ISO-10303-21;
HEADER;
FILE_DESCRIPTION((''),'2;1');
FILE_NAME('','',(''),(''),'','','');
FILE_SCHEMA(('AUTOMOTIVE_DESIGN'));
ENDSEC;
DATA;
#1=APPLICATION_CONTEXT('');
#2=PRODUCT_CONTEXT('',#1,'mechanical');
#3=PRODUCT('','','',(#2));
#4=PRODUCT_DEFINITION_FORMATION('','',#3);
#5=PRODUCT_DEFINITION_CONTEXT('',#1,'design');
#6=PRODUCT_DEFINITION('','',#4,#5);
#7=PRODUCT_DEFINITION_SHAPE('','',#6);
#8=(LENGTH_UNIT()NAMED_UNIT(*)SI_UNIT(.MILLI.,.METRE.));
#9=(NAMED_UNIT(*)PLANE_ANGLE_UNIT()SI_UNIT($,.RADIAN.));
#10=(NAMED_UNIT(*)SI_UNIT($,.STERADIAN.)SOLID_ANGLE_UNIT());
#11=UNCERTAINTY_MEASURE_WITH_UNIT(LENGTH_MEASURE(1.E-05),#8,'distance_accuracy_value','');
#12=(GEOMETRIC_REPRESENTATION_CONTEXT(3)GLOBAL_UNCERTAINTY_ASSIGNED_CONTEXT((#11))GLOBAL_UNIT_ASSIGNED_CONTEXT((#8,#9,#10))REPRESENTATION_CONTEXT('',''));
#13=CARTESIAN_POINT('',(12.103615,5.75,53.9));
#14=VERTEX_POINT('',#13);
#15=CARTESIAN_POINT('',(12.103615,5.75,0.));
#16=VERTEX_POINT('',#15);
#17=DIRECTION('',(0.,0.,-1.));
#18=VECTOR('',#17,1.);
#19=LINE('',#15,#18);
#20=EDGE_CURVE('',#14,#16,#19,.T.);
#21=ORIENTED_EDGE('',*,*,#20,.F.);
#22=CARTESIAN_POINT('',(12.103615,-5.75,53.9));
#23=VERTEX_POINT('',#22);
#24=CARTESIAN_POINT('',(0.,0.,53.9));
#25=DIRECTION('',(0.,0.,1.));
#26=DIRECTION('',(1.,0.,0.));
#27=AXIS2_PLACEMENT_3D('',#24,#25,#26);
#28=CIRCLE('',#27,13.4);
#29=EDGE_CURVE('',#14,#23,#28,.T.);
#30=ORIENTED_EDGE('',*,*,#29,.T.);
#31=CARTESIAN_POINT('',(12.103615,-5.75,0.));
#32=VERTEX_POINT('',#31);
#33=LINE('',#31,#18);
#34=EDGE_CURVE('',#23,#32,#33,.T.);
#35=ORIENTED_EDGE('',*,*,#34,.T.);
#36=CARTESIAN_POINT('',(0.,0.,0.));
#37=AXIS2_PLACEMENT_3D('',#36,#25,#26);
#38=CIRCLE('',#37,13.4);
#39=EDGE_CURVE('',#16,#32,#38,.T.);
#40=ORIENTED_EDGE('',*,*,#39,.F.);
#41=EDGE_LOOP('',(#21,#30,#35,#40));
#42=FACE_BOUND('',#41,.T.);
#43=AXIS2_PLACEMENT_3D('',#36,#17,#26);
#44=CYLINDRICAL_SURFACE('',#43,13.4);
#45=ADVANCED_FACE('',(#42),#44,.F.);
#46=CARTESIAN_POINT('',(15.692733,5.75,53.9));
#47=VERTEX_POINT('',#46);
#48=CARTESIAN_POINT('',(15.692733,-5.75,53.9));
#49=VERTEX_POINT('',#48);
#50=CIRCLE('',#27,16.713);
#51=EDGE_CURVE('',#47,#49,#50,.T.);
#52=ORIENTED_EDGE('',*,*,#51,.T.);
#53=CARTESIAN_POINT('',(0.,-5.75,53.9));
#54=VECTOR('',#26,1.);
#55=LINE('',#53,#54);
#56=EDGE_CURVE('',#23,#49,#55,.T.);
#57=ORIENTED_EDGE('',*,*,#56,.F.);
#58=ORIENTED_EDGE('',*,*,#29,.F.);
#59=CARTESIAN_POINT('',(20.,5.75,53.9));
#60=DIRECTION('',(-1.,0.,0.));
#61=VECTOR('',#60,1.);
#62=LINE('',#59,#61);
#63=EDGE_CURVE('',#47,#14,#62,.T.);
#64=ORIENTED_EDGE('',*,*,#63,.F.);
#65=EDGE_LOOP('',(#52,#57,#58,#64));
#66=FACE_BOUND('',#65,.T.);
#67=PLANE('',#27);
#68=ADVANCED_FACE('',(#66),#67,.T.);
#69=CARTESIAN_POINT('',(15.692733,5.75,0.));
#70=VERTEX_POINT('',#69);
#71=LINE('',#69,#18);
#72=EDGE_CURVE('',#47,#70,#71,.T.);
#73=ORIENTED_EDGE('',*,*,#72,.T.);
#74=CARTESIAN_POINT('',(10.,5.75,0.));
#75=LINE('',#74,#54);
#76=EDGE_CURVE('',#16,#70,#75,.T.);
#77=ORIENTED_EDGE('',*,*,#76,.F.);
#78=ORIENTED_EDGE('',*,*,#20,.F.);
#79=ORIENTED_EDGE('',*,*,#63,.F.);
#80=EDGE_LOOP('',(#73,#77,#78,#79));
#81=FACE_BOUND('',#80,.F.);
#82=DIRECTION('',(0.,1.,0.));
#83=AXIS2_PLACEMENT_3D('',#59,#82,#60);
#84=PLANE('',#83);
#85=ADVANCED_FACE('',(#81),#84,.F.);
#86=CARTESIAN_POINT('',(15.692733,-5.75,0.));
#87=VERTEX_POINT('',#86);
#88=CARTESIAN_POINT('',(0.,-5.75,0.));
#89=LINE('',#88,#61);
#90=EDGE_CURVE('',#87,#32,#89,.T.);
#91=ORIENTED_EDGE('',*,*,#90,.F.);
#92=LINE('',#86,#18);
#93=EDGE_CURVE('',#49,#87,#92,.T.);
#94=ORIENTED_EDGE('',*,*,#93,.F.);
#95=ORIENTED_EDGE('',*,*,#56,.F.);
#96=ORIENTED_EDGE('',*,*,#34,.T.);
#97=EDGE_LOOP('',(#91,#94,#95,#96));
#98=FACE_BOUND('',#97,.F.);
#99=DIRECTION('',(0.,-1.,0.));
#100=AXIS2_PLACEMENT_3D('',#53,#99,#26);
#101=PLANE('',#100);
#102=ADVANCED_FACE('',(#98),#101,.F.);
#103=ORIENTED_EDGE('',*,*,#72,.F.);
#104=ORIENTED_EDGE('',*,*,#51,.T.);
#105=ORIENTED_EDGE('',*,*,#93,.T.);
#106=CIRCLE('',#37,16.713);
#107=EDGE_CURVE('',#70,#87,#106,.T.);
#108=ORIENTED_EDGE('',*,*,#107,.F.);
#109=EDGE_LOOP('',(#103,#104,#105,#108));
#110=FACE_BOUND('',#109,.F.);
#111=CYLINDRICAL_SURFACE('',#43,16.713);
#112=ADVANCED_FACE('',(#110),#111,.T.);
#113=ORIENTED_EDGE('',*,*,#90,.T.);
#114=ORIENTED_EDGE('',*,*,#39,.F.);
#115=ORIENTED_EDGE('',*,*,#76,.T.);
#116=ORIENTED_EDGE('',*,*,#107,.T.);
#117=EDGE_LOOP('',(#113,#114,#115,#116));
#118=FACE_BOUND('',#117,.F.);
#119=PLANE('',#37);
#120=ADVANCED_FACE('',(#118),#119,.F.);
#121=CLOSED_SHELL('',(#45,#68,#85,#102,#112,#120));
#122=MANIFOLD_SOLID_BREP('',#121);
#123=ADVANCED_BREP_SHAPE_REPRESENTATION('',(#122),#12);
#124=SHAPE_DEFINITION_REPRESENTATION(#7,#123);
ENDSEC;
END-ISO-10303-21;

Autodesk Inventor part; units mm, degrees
ref_plane "YZ Plane" through (0, 0, 0) normal (1, 0, 0) x (0, 1, 0)
ref_plane "XZ Plane" through (0, 0, 0) normal (0, 1, 0) x (-1, 0, 0)
ref_plane "XY Plane" through (0, 0, 0) normal (0, 0, 1) x (1, 0, 0)
sketch "Sketch1" plane through (0, 0, 0) normal (0, 0, 1) x (1, 0, 0)
  circle A0 centre (0, 0) radius 16.713
  circle A1 centre (0, 0) radius 13.4
  dimension "d0" = 33.426
  dimension "d1" = 26.8
extrude "Extrusion1" add sketch "Sketch1" along normal blind 53.9
sketch "Sketch4" plane through (0, 0, 53.9) normal (0, 0, 1) x (1, 0, 0)
  line L0 (0, -5.75) -> (20, -5.75)
  line L1 (20, -5.75) -> (20, 5.75)
  line L2 (20, 5.75) -> (0, 5.75)
  line L3 (0, 5.75) -> (0, -5.75)
  point P0 (0, 0)
  point P1 (0, 0)
  dimension "d9" = 20
  dimension "d10" = 11.5
extrude "Extrusion4" cut sketch "Sketch4" against normal up to next
properties part number "coupler" material "Acetal Resin, White"
